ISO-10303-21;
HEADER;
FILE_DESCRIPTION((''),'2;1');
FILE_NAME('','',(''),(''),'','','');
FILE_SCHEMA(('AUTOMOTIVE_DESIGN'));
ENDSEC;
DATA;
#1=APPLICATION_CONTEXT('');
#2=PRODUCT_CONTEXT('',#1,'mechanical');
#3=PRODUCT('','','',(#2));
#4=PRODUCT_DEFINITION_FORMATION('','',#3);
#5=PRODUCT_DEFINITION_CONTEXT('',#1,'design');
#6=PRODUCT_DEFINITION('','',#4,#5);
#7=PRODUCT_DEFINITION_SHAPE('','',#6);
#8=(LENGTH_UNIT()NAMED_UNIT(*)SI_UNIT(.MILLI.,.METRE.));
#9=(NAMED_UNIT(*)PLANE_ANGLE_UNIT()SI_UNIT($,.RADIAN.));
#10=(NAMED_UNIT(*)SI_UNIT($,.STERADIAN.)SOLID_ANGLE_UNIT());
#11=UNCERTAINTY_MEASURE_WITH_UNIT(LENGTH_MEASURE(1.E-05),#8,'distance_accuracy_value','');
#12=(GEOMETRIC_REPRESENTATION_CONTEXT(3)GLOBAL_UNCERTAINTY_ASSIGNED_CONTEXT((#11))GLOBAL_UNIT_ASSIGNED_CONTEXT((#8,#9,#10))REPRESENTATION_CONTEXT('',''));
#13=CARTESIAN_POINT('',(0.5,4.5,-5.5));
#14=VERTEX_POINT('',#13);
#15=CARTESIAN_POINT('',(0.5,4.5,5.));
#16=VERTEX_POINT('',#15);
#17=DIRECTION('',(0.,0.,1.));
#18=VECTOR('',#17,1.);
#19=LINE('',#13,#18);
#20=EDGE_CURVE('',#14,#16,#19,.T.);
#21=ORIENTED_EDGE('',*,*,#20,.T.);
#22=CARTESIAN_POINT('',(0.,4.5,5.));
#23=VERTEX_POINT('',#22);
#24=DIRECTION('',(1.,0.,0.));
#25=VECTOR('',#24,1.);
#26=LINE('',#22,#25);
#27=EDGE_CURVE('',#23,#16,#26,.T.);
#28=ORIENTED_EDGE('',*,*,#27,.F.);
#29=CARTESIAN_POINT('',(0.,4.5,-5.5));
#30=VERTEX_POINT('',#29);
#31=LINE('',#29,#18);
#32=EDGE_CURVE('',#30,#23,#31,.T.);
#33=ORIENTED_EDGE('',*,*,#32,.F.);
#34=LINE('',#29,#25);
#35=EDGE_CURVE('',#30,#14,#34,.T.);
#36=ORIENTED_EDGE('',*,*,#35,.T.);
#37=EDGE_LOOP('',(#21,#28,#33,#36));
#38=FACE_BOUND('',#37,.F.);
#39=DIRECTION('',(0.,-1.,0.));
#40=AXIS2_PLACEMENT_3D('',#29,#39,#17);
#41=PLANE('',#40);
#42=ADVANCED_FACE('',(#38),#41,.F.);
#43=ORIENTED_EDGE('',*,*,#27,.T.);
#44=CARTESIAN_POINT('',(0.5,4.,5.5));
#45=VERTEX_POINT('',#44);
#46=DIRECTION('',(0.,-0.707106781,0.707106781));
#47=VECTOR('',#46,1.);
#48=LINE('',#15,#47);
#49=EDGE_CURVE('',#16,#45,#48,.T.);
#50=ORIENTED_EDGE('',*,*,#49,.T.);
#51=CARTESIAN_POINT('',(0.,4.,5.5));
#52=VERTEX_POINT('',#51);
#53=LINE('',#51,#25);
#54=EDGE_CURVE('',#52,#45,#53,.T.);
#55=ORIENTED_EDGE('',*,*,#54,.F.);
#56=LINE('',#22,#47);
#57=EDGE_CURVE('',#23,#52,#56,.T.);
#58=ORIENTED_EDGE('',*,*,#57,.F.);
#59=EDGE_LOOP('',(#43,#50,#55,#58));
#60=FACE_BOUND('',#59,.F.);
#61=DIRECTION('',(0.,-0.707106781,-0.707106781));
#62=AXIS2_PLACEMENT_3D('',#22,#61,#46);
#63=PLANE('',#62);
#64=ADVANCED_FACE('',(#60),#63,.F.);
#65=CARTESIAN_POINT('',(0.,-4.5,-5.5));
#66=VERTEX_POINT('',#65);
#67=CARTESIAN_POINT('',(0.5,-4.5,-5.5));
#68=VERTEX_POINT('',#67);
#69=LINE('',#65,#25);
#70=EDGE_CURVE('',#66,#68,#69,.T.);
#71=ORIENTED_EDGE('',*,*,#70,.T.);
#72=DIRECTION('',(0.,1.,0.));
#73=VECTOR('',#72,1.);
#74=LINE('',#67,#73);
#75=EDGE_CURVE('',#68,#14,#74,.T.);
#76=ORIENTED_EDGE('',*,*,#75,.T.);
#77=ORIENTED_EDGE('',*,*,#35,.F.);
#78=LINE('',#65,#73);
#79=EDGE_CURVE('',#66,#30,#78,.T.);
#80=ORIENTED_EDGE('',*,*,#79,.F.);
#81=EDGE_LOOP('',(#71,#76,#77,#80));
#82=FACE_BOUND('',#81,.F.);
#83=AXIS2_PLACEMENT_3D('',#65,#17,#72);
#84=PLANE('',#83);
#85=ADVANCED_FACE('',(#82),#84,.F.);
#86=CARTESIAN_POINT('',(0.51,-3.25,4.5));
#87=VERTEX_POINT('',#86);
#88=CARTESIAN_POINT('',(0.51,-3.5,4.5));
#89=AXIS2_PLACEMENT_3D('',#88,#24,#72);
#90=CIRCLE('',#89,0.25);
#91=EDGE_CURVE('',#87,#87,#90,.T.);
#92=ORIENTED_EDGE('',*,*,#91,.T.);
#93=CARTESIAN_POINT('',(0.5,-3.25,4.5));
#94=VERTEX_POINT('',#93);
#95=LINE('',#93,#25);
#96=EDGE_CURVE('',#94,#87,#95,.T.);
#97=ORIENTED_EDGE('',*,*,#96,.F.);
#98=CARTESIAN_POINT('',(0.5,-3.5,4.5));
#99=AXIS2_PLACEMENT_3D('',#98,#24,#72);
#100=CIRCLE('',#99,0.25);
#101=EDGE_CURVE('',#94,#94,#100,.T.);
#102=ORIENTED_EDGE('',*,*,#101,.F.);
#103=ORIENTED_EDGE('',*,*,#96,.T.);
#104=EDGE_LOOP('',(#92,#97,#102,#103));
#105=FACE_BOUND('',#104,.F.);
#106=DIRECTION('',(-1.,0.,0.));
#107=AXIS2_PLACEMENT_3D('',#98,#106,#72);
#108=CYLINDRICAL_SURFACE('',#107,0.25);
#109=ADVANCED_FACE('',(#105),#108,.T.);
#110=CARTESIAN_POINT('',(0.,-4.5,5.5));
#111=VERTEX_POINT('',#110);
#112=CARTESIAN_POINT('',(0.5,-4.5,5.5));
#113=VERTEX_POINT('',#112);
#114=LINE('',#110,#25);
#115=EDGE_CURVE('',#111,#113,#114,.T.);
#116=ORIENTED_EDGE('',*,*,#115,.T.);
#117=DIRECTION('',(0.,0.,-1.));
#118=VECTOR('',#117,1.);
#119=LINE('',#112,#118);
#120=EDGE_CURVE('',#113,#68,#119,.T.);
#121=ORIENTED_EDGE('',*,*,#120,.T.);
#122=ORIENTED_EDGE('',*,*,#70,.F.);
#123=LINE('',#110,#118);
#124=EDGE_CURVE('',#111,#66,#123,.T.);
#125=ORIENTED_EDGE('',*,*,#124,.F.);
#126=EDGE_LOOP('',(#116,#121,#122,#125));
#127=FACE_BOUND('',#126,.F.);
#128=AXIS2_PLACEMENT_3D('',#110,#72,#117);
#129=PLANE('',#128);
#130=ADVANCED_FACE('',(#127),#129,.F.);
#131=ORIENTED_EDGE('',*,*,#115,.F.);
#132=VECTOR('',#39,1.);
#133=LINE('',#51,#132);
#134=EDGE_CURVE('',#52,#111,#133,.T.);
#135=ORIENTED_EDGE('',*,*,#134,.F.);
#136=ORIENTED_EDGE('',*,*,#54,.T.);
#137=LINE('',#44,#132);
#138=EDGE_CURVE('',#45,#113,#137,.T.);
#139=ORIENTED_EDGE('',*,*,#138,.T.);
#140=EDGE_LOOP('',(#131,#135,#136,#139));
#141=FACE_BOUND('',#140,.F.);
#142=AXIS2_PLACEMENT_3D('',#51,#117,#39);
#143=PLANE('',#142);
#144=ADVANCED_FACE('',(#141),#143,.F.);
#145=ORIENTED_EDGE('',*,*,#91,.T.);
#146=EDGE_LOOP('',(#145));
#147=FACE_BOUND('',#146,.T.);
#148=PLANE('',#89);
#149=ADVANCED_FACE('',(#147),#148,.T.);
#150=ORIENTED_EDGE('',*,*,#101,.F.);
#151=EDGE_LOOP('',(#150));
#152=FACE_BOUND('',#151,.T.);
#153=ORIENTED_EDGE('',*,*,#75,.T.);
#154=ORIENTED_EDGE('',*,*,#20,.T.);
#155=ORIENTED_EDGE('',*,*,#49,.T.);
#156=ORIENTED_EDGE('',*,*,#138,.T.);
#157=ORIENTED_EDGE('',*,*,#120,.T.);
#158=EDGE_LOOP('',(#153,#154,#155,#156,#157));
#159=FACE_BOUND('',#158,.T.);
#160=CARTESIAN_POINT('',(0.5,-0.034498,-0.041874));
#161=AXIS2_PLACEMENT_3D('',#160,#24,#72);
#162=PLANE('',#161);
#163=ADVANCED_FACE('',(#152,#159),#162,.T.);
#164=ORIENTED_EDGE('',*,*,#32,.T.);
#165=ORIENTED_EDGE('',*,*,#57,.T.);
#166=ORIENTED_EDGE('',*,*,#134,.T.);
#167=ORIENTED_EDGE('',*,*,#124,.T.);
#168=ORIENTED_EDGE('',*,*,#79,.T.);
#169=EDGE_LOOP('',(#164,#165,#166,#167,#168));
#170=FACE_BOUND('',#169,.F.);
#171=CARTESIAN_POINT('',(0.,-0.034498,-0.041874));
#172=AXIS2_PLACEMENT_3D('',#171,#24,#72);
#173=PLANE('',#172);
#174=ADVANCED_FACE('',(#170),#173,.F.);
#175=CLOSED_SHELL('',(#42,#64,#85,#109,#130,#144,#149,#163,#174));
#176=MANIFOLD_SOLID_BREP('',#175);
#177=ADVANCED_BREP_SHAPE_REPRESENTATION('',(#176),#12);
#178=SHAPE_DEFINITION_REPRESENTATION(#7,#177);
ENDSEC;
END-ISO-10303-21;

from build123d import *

# Parameters (mm, degrees)
PAD_DEPTH    = 0.5
SKETCH001_R  = 0.25
PAD001_DEPTH = 0.01


with BuildPart() as part:
    # Sketch (on YZ_Plane of Origin) → Pad (new body)
    with BuildSketch(Plane.YZ):
        Polygon((-4.5, -5.5), (4.5, -5.5), (4.5, 5), (4, 5.5), (-4.5, 5.5), align=None)
    extrude(amount=PAD_DEPTH)

    # Sketch001 (on Face7 of Pad) → Pad001 (join)
    with BuildSketch(Plane.YZ.offset(0.5)):
        with Locations((-3.5, 4.5)):
            Circle(SKETCH001_R)
    extrude(amount=PAD001_DEPTH)


solid = part.part
